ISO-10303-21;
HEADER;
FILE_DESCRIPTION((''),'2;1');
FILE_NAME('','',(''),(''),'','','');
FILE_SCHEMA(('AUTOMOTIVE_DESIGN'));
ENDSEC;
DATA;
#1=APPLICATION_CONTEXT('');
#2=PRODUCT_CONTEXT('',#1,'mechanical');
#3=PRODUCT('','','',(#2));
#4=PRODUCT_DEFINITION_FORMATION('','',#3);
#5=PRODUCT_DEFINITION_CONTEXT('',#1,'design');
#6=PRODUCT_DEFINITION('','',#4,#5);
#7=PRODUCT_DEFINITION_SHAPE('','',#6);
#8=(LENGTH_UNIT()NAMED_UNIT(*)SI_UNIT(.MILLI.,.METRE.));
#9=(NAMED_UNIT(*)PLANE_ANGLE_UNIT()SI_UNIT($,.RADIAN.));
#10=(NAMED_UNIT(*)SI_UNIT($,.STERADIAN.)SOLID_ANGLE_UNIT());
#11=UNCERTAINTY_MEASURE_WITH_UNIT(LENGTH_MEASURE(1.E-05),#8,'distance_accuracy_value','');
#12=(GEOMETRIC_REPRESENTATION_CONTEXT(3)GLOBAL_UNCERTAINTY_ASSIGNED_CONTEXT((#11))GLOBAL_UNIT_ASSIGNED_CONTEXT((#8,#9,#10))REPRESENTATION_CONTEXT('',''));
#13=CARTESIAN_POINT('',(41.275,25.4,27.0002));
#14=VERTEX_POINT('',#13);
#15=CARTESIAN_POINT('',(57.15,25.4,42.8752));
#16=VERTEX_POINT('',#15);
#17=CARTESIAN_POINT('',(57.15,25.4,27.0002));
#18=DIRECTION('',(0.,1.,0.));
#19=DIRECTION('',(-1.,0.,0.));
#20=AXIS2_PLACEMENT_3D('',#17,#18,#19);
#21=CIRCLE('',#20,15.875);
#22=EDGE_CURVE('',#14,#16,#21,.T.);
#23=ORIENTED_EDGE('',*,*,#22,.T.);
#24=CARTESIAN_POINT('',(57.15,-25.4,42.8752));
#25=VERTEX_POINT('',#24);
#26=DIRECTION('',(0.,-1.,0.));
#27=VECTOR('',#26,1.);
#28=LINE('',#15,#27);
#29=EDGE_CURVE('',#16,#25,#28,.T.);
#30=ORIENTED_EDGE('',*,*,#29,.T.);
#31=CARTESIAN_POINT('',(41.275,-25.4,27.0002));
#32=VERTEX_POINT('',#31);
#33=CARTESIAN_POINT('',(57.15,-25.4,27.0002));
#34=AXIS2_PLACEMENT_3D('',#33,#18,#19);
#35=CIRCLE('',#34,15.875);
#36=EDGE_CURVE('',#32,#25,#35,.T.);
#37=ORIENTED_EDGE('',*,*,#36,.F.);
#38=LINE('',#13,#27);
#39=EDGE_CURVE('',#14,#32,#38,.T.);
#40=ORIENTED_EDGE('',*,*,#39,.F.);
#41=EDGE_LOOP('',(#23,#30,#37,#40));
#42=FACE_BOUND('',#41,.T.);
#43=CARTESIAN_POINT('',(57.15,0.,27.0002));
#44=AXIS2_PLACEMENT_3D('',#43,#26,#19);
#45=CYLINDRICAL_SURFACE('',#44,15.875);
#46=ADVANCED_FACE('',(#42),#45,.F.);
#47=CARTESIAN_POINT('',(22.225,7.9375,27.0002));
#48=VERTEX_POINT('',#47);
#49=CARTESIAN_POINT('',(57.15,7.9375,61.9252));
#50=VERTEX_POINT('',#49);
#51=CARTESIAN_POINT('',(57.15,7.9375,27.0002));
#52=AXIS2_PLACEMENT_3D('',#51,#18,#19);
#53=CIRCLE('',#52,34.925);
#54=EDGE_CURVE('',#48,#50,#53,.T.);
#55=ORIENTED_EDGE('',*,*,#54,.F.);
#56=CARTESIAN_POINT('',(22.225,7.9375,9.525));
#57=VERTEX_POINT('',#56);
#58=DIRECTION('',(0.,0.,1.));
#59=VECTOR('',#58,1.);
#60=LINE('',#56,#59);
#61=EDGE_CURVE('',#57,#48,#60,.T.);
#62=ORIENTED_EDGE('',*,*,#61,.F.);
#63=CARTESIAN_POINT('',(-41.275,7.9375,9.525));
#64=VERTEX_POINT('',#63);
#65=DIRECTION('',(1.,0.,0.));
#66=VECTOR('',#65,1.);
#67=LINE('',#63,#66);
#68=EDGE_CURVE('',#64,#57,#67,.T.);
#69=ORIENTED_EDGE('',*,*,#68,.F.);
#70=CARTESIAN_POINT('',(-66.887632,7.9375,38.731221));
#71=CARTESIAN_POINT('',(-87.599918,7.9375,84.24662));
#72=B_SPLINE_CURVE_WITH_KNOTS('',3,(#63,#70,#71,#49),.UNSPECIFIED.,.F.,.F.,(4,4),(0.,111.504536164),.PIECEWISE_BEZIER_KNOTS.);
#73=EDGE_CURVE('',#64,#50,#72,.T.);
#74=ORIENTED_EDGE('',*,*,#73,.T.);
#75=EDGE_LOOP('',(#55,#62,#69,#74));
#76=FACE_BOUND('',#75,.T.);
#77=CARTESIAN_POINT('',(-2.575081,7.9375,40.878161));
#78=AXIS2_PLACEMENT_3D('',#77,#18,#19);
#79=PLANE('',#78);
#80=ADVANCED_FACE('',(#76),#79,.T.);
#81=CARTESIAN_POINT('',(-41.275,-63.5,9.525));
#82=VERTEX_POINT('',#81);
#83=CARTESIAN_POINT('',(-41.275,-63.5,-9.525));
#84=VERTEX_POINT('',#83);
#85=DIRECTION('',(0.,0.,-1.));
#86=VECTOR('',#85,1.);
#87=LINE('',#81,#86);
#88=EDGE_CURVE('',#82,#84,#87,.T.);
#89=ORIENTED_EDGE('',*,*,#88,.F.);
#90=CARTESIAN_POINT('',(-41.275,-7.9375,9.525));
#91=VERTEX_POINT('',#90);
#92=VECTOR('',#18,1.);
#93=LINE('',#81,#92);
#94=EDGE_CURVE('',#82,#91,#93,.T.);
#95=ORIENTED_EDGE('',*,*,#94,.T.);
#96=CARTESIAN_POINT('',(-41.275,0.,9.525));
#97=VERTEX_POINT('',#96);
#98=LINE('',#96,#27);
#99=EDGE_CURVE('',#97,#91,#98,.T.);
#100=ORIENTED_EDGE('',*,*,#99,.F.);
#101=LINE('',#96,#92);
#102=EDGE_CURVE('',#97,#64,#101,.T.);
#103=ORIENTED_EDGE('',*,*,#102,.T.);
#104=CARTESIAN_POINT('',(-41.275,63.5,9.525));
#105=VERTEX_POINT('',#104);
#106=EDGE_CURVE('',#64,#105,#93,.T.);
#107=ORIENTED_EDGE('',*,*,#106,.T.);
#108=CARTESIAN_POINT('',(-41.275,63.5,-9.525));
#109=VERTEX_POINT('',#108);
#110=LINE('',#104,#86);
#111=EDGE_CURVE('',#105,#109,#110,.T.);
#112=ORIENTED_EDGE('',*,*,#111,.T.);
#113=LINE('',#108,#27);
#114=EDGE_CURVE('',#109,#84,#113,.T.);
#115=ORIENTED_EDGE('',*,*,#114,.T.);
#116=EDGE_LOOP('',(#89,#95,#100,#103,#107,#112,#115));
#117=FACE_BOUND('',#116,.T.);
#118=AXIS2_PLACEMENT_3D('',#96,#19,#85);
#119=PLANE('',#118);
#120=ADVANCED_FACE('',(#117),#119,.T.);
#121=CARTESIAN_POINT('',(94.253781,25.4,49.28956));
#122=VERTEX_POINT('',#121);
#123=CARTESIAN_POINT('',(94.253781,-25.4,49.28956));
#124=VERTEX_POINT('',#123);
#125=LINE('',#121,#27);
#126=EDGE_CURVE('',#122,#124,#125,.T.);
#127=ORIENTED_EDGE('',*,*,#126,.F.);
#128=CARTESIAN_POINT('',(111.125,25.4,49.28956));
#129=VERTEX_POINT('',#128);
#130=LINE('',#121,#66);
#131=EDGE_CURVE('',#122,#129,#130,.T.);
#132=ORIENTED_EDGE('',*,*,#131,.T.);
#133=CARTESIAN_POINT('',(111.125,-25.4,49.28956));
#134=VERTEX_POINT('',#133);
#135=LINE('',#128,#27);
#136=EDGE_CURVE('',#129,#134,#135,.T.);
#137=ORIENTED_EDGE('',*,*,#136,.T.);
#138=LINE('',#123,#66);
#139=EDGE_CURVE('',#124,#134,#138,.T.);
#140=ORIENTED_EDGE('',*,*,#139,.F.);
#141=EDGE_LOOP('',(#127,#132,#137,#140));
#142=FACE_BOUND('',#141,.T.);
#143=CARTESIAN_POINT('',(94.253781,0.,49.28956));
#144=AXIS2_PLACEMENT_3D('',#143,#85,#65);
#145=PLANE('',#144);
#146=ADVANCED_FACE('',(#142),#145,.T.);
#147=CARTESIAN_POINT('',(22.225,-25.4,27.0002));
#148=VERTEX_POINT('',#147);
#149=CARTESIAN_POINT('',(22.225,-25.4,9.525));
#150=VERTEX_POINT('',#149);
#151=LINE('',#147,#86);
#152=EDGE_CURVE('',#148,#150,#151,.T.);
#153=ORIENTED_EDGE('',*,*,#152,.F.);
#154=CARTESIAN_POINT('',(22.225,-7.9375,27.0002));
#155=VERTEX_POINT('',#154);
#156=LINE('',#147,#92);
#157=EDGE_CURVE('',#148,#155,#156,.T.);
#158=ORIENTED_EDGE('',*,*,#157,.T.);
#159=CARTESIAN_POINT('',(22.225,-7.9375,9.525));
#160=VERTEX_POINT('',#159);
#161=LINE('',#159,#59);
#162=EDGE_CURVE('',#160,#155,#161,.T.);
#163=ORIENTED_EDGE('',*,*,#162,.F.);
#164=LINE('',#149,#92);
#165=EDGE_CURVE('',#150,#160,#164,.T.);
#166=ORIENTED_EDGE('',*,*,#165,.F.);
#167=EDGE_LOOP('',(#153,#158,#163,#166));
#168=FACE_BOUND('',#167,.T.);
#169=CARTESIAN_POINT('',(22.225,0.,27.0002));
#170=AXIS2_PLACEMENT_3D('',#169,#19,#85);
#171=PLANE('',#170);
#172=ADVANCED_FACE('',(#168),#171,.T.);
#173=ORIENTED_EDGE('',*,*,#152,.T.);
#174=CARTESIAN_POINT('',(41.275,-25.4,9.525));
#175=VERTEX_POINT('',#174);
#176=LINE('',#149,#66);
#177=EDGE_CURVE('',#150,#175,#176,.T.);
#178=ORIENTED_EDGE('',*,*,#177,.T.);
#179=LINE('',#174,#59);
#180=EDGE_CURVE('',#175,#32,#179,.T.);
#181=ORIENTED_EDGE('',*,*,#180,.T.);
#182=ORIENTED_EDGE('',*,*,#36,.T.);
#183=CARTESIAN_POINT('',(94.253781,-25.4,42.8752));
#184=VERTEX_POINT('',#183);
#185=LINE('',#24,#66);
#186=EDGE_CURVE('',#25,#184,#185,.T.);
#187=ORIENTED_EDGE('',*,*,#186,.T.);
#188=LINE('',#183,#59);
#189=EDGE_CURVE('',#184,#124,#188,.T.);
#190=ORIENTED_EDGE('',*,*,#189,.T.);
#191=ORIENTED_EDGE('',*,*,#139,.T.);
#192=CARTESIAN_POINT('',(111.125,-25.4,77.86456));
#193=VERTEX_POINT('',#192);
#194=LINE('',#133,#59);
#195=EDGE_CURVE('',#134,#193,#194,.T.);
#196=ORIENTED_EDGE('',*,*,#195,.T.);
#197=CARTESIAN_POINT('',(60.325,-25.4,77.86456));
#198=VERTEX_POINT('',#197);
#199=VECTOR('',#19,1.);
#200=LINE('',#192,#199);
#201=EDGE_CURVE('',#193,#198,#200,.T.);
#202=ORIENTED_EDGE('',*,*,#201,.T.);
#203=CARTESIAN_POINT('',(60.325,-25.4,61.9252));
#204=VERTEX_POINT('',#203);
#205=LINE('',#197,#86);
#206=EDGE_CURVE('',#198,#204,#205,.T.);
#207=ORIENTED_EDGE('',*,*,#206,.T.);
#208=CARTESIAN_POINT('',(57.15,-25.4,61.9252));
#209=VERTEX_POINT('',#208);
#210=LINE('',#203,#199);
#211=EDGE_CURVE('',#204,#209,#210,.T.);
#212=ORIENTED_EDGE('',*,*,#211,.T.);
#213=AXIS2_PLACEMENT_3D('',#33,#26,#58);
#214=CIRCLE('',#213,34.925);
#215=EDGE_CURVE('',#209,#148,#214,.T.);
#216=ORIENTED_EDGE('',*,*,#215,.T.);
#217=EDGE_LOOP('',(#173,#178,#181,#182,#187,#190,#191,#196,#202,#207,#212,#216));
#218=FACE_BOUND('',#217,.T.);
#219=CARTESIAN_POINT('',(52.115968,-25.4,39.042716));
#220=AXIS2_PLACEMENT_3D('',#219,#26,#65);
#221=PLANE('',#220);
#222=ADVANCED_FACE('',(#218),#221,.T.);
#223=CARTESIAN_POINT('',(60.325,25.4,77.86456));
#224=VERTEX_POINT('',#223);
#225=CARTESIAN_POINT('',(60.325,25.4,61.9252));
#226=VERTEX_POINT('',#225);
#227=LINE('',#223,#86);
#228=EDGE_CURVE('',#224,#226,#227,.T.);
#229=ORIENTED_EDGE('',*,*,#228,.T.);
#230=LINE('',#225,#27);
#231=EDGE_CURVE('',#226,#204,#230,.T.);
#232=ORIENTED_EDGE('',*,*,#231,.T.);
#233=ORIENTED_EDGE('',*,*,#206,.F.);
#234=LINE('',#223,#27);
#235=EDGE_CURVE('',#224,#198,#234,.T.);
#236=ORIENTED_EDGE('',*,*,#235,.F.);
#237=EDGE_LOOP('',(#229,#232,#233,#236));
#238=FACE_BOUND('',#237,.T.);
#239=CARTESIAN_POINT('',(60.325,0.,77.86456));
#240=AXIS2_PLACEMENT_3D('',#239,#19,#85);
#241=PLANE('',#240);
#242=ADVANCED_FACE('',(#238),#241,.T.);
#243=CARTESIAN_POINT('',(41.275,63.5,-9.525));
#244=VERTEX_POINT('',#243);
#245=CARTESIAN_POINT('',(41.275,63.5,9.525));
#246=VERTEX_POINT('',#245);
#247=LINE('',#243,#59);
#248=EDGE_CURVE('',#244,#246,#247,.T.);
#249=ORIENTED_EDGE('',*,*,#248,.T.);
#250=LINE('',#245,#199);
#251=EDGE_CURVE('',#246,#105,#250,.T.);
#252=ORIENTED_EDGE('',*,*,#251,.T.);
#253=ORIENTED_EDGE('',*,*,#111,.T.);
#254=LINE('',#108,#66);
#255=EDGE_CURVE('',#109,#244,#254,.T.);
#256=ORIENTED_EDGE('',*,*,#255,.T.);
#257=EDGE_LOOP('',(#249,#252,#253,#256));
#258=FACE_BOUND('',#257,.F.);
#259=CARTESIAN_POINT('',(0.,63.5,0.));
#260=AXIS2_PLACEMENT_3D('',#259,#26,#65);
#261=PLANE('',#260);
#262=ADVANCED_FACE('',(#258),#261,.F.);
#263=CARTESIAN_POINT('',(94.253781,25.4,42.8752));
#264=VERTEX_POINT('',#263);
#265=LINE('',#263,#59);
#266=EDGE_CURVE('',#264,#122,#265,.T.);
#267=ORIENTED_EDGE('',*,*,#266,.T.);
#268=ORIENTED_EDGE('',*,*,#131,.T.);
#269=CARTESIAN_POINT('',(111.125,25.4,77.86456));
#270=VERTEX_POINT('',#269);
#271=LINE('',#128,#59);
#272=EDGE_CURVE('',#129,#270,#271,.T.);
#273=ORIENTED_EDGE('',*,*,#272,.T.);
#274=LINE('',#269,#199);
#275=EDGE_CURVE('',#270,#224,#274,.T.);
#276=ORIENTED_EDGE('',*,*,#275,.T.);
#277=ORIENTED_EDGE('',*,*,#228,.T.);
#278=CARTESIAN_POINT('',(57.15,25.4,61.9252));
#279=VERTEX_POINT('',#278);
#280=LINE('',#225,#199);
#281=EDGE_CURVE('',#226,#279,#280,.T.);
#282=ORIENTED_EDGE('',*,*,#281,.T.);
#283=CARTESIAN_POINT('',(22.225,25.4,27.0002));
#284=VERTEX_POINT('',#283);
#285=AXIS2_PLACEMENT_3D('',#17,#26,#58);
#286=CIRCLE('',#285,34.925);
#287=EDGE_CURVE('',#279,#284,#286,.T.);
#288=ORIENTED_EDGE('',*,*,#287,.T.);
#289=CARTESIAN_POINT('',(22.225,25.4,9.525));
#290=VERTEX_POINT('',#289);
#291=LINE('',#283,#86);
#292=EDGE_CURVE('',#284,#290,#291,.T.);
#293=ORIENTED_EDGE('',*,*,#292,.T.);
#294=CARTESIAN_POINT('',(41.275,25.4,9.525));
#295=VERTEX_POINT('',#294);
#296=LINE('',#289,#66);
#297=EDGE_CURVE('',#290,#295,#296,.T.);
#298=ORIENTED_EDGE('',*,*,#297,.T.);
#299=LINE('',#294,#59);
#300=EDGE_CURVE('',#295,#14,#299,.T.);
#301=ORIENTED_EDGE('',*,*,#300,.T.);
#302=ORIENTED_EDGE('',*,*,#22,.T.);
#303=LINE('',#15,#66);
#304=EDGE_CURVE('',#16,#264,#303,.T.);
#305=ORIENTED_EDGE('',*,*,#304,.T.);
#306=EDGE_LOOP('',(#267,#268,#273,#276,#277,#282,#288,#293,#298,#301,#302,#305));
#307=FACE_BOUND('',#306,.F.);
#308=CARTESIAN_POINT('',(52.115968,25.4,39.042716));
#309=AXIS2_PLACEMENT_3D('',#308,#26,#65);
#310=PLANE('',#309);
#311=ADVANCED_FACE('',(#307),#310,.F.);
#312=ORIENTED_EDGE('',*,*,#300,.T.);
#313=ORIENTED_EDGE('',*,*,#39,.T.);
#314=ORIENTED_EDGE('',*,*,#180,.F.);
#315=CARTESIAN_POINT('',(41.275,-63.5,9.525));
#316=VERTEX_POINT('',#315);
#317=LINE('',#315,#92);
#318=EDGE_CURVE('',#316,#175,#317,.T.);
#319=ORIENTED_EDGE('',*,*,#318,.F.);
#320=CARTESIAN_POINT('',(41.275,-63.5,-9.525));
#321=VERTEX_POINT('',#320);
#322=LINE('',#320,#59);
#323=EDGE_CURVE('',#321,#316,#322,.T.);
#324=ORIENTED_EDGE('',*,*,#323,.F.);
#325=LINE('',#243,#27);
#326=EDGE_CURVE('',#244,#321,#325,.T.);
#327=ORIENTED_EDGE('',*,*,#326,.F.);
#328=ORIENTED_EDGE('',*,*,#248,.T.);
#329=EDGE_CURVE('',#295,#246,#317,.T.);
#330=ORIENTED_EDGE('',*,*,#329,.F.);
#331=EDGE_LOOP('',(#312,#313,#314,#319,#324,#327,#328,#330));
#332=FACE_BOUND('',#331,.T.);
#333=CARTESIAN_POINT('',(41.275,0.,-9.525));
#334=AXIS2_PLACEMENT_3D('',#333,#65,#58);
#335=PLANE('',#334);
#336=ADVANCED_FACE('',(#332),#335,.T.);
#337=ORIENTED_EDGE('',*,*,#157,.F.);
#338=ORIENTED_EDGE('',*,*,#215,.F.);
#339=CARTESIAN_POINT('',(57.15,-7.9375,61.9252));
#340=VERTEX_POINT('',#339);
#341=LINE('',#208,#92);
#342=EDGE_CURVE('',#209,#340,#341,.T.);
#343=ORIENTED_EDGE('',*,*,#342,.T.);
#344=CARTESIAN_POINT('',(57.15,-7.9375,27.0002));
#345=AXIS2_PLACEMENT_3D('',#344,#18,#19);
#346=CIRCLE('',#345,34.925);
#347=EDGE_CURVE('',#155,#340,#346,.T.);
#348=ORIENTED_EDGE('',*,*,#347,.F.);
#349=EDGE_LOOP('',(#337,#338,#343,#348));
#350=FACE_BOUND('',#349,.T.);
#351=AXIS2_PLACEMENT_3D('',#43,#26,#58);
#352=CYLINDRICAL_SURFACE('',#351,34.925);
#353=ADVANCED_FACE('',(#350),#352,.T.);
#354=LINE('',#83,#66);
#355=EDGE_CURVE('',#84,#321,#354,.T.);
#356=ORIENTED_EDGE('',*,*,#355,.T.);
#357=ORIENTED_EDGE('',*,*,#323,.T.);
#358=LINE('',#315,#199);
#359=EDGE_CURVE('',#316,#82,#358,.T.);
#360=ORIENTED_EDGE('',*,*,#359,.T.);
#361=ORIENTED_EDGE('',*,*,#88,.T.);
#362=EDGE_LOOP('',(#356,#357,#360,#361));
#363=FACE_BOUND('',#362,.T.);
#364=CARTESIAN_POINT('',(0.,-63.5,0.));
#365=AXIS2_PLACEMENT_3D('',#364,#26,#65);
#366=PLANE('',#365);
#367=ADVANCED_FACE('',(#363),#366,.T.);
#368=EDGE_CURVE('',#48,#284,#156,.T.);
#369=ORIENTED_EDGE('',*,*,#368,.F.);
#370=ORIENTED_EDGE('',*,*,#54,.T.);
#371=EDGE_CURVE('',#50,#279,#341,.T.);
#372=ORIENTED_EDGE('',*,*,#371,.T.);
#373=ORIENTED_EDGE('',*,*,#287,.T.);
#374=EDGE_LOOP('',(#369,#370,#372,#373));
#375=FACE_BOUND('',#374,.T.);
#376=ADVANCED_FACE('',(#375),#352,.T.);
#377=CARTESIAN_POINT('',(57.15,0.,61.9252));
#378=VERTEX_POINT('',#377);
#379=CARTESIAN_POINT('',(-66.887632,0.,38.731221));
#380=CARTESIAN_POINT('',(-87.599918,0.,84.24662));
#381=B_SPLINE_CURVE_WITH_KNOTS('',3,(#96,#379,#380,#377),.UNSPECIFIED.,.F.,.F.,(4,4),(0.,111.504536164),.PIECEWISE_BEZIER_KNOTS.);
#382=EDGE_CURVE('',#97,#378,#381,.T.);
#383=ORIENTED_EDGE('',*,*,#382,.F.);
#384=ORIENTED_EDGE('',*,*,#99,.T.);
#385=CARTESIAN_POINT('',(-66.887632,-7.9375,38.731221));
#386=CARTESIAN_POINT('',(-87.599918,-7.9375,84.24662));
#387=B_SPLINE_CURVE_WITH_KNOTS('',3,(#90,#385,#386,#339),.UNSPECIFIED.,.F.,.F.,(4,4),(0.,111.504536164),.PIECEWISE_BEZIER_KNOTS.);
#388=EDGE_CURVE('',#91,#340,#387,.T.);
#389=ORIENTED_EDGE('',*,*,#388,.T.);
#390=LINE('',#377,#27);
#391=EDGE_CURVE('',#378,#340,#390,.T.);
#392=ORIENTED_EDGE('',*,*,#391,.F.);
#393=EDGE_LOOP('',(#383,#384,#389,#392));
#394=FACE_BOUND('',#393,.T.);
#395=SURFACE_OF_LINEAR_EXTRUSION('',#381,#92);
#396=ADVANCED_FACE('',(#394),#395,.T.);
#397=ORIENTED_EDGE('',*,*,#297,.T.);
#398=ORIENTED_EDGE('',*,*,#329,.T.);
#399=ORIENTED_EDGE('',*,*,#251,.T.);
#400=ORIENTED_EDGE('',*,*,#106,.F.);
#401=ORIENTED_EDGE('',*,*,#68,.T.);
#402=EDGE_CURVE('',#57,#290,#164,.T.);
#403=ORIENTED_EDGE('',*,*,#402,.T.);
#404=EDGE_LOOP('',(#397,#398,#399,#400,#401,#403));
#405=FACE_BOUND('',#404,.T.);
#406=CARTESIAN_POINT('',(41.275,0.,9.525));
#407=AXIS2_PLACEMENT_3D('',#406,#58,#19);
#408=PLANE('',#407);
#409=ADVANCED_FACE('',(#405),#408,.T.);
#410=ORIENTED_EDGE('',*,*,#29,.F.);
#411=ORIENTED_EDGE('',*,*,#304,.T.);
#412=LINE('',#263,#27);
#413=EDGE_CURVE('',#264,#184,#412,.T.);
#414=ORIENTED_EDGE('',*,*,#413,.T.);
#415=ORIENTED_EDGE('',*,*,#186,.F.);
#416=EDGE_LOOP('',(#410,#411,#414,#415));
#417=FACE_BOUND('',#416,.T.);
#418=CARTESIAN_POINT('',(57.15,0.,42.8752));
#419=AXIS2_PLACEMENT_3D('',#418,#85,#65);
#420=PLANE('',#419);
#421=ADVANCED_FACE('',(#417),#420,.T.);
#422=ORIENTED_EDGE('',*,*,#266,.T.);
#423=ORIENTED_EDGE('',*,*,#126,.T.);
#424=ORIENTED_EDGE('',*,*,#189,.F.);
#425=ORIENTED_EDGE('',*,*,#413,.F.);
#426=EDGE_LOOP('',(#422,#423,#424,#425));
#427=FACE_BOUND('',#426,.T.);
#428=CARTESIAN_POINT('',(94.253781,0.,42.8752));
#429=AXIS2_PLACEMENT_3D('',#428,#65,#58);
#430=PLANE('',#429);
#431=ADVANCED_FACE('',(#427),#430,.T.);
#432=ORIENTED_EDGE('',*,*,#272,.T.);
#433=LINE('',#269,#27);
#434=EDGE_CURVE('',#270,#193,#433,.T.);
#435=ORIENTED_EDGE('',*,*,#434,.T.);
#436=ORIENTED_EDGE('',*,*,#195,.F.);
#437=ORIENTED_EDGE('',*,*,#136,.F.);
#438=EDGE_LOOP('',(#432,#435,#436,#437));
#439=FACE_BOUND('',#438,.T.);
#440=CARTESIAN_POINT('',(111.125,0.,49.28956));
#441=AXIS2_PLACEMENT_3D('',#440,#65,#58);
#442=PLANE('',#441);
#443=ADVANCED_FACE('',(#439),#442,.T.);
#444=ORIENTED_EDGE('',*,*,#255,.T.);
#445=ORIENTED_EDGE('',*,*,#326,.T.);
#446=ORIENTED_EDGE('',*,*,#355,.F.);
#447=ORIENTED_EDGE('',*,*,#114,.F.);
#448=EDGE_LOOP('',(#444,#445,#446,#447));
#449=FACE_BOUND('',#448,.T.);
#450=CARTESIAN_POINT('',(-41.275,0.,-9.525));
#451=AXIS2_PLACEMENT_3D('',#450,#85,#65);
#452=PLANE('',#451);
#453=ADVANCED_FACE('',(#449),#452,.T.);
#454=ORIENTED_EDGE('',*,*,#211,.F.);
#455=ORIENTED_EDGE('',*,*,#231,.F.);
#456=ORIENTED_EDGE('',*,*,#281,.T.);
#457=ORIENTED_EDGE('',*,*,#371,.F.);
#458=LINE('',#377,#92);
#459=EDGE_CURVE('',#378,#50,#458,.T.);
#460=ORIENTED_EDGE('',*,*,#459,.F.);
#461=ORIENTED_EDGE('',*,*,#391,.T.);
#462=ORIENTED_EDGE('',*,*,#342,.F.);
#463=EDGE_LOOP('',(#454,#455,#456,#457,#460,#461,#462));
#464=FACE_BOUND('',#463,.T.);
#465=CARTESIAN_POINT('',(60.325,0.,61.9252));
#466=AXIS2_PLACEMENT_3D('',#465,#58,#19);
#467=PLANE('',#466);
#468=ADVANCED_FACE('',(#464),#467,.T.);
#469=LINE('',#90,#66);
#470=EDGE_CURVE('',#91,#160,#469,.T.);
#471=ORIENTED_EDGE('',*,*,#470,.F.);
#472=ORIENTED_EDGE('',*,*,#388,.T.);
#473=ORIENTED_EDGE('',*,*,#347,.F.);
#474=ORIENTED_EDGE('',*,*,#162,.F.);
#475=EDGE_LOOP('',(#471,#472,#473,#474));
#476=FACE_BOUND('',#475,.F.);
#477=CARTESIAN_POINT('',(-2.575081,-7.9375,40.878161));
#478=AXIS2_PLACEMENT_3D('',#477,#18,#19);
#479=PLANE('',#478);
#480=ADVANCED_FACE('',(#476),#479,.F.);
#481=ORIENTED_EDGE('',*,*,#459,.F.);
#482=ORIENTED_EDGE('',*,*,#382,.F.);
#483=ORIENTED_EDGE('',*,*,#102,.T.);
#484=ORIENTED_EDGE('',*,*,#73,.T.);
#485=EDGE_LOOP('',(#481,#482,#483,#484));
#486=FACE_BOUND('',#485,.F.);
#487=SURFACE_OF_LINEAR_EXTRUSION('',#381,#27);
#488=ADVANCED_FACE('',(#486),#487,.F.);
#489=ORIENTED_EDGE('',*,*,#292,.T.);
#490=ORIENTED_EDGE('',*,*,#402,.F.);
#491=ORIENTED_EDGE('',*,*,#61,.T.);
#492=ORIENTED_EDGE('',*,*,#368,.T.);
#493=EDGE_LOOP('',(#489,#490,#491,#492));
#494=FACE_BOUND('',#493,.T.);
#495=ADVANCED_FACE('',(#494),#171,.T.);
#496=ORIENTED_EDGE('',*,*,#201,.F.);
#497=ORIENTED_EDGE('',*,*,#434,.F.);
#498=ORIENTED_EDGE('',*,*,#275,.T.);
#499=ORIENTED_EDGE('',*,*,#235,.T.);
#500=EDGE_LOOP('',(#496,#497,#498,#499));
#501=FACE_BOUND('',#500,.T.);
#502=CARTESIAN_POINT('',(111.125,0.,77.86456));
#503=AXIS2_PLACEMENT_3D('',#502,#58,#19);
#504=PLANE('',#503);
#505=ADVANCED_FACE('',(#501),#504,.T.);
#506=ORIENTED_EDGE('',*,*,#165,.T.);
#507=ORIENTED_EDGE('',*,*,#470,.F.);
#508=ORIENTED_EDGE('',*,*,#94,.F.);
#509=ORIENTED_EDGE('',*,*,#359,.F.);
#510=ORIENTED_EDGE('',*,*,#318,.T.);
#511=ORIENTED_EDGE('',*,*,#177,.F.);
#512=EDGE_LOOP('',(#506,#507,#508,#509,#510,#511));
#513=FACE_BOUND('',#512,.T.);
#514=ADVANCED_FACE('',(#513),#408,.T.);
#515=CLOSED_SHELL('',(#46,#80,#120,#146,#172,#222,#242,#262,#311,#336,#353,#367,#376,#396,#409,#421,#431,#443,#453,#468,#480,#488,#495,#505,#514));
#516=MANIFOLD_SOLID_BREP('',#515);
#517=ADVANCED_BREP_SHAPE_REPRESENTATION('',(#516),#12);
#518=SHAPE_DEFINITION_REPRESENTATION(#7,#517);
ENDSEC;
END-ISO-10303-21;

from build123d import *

# Parameters (mm, degrees)
F1_DEPTH = 63.5
F0_W     = 33.928780768
F0_H     = 12.6356402498
F2_DEPTH = 25.4
F3_DEPTH = 7.9375


with BuildPart() as f1:
    # F0 (on Front) → F1 (new body, symmetric)
    with BuildSketch(Plane.XZ):
        Polygon((-41.275, 9.525), (-41.275, -9.525), (41.275, -9.525), (41.275, 9.525), (22.225, 9.525), align=None)
    extrude(amount=F1_DEPTH, both=True)

    # F0 (on Front) → F2 (join, symmetric)
    with BuildSketch(Plane.XZ):
        with BuildLine():
            Line((22.225, 9.525), (41.275, 9.525))
            Line((41.275, 9.525), (41.275, 27.0002))
            ThreePointArc((41.275, 27.0002), (45.9246798487, 38.2255201513), (57.15, 42.8752))
            Line((57.15, 42.8752), (94.253780768, 42.8752))
            Line((94.253780768, 42.8752), (94.253780768, 49.2895597502))
            Line((94.253780768, 49.2895597502), (60.325, 49.2895597502))
            Line((60.325, 49.2895597502), (60.325, 61.9252))
            Line((60.325, 61.9252), (57.15, 61.9252))
            ThreePointArc((57.15, 61.9252), (32.4542956671, 51.6959043329), (22.225, 27.0002))
            Line((22.225, 27.0002), (22.225, 9.525))
        make_face()
        Polygon((60.325, 77.8645597502), (60.325, 61.9252), (94.253780768, 61.9252), (94.253780768, 49.2895597502), (111.125, 49.2895597502), (111.125, 77.8645597502), align=None)
        with Locations((77.289390384, 55.6073798751)):
            Rectangle(F0_W, F0_H)
    extrude(amount=F2_DEPTH, both=True)

    # F0 (on Front) → F3 (join, symmetric)
    with BuildSketch(Plane.XZ):
        with BuildLine():
            add(Edge.make_bspline(
                [(-41.275, 9.525), (-66.8876323333, 38.7312213145), (-87.5999182085, 84.2466196499), (57.15, 61.9252)],
                knots=[0, 0, 0, 0, 111.5045361635, 111.5045361635, 111.5045361635, 111.5045361635], degree=3))
            Line((-41.275, 9.525), (22.225, 9.525))
            Line((22.225, 9.525), (22.225, 27.0002))
            ThreePointArc((22.225, 27.0002), (32.4542956671, 51.6959043329), (57.15, 61.9252))
        make_face()
    extrude(amount=F3_DEPTH, both=True)


solid = f1.part
